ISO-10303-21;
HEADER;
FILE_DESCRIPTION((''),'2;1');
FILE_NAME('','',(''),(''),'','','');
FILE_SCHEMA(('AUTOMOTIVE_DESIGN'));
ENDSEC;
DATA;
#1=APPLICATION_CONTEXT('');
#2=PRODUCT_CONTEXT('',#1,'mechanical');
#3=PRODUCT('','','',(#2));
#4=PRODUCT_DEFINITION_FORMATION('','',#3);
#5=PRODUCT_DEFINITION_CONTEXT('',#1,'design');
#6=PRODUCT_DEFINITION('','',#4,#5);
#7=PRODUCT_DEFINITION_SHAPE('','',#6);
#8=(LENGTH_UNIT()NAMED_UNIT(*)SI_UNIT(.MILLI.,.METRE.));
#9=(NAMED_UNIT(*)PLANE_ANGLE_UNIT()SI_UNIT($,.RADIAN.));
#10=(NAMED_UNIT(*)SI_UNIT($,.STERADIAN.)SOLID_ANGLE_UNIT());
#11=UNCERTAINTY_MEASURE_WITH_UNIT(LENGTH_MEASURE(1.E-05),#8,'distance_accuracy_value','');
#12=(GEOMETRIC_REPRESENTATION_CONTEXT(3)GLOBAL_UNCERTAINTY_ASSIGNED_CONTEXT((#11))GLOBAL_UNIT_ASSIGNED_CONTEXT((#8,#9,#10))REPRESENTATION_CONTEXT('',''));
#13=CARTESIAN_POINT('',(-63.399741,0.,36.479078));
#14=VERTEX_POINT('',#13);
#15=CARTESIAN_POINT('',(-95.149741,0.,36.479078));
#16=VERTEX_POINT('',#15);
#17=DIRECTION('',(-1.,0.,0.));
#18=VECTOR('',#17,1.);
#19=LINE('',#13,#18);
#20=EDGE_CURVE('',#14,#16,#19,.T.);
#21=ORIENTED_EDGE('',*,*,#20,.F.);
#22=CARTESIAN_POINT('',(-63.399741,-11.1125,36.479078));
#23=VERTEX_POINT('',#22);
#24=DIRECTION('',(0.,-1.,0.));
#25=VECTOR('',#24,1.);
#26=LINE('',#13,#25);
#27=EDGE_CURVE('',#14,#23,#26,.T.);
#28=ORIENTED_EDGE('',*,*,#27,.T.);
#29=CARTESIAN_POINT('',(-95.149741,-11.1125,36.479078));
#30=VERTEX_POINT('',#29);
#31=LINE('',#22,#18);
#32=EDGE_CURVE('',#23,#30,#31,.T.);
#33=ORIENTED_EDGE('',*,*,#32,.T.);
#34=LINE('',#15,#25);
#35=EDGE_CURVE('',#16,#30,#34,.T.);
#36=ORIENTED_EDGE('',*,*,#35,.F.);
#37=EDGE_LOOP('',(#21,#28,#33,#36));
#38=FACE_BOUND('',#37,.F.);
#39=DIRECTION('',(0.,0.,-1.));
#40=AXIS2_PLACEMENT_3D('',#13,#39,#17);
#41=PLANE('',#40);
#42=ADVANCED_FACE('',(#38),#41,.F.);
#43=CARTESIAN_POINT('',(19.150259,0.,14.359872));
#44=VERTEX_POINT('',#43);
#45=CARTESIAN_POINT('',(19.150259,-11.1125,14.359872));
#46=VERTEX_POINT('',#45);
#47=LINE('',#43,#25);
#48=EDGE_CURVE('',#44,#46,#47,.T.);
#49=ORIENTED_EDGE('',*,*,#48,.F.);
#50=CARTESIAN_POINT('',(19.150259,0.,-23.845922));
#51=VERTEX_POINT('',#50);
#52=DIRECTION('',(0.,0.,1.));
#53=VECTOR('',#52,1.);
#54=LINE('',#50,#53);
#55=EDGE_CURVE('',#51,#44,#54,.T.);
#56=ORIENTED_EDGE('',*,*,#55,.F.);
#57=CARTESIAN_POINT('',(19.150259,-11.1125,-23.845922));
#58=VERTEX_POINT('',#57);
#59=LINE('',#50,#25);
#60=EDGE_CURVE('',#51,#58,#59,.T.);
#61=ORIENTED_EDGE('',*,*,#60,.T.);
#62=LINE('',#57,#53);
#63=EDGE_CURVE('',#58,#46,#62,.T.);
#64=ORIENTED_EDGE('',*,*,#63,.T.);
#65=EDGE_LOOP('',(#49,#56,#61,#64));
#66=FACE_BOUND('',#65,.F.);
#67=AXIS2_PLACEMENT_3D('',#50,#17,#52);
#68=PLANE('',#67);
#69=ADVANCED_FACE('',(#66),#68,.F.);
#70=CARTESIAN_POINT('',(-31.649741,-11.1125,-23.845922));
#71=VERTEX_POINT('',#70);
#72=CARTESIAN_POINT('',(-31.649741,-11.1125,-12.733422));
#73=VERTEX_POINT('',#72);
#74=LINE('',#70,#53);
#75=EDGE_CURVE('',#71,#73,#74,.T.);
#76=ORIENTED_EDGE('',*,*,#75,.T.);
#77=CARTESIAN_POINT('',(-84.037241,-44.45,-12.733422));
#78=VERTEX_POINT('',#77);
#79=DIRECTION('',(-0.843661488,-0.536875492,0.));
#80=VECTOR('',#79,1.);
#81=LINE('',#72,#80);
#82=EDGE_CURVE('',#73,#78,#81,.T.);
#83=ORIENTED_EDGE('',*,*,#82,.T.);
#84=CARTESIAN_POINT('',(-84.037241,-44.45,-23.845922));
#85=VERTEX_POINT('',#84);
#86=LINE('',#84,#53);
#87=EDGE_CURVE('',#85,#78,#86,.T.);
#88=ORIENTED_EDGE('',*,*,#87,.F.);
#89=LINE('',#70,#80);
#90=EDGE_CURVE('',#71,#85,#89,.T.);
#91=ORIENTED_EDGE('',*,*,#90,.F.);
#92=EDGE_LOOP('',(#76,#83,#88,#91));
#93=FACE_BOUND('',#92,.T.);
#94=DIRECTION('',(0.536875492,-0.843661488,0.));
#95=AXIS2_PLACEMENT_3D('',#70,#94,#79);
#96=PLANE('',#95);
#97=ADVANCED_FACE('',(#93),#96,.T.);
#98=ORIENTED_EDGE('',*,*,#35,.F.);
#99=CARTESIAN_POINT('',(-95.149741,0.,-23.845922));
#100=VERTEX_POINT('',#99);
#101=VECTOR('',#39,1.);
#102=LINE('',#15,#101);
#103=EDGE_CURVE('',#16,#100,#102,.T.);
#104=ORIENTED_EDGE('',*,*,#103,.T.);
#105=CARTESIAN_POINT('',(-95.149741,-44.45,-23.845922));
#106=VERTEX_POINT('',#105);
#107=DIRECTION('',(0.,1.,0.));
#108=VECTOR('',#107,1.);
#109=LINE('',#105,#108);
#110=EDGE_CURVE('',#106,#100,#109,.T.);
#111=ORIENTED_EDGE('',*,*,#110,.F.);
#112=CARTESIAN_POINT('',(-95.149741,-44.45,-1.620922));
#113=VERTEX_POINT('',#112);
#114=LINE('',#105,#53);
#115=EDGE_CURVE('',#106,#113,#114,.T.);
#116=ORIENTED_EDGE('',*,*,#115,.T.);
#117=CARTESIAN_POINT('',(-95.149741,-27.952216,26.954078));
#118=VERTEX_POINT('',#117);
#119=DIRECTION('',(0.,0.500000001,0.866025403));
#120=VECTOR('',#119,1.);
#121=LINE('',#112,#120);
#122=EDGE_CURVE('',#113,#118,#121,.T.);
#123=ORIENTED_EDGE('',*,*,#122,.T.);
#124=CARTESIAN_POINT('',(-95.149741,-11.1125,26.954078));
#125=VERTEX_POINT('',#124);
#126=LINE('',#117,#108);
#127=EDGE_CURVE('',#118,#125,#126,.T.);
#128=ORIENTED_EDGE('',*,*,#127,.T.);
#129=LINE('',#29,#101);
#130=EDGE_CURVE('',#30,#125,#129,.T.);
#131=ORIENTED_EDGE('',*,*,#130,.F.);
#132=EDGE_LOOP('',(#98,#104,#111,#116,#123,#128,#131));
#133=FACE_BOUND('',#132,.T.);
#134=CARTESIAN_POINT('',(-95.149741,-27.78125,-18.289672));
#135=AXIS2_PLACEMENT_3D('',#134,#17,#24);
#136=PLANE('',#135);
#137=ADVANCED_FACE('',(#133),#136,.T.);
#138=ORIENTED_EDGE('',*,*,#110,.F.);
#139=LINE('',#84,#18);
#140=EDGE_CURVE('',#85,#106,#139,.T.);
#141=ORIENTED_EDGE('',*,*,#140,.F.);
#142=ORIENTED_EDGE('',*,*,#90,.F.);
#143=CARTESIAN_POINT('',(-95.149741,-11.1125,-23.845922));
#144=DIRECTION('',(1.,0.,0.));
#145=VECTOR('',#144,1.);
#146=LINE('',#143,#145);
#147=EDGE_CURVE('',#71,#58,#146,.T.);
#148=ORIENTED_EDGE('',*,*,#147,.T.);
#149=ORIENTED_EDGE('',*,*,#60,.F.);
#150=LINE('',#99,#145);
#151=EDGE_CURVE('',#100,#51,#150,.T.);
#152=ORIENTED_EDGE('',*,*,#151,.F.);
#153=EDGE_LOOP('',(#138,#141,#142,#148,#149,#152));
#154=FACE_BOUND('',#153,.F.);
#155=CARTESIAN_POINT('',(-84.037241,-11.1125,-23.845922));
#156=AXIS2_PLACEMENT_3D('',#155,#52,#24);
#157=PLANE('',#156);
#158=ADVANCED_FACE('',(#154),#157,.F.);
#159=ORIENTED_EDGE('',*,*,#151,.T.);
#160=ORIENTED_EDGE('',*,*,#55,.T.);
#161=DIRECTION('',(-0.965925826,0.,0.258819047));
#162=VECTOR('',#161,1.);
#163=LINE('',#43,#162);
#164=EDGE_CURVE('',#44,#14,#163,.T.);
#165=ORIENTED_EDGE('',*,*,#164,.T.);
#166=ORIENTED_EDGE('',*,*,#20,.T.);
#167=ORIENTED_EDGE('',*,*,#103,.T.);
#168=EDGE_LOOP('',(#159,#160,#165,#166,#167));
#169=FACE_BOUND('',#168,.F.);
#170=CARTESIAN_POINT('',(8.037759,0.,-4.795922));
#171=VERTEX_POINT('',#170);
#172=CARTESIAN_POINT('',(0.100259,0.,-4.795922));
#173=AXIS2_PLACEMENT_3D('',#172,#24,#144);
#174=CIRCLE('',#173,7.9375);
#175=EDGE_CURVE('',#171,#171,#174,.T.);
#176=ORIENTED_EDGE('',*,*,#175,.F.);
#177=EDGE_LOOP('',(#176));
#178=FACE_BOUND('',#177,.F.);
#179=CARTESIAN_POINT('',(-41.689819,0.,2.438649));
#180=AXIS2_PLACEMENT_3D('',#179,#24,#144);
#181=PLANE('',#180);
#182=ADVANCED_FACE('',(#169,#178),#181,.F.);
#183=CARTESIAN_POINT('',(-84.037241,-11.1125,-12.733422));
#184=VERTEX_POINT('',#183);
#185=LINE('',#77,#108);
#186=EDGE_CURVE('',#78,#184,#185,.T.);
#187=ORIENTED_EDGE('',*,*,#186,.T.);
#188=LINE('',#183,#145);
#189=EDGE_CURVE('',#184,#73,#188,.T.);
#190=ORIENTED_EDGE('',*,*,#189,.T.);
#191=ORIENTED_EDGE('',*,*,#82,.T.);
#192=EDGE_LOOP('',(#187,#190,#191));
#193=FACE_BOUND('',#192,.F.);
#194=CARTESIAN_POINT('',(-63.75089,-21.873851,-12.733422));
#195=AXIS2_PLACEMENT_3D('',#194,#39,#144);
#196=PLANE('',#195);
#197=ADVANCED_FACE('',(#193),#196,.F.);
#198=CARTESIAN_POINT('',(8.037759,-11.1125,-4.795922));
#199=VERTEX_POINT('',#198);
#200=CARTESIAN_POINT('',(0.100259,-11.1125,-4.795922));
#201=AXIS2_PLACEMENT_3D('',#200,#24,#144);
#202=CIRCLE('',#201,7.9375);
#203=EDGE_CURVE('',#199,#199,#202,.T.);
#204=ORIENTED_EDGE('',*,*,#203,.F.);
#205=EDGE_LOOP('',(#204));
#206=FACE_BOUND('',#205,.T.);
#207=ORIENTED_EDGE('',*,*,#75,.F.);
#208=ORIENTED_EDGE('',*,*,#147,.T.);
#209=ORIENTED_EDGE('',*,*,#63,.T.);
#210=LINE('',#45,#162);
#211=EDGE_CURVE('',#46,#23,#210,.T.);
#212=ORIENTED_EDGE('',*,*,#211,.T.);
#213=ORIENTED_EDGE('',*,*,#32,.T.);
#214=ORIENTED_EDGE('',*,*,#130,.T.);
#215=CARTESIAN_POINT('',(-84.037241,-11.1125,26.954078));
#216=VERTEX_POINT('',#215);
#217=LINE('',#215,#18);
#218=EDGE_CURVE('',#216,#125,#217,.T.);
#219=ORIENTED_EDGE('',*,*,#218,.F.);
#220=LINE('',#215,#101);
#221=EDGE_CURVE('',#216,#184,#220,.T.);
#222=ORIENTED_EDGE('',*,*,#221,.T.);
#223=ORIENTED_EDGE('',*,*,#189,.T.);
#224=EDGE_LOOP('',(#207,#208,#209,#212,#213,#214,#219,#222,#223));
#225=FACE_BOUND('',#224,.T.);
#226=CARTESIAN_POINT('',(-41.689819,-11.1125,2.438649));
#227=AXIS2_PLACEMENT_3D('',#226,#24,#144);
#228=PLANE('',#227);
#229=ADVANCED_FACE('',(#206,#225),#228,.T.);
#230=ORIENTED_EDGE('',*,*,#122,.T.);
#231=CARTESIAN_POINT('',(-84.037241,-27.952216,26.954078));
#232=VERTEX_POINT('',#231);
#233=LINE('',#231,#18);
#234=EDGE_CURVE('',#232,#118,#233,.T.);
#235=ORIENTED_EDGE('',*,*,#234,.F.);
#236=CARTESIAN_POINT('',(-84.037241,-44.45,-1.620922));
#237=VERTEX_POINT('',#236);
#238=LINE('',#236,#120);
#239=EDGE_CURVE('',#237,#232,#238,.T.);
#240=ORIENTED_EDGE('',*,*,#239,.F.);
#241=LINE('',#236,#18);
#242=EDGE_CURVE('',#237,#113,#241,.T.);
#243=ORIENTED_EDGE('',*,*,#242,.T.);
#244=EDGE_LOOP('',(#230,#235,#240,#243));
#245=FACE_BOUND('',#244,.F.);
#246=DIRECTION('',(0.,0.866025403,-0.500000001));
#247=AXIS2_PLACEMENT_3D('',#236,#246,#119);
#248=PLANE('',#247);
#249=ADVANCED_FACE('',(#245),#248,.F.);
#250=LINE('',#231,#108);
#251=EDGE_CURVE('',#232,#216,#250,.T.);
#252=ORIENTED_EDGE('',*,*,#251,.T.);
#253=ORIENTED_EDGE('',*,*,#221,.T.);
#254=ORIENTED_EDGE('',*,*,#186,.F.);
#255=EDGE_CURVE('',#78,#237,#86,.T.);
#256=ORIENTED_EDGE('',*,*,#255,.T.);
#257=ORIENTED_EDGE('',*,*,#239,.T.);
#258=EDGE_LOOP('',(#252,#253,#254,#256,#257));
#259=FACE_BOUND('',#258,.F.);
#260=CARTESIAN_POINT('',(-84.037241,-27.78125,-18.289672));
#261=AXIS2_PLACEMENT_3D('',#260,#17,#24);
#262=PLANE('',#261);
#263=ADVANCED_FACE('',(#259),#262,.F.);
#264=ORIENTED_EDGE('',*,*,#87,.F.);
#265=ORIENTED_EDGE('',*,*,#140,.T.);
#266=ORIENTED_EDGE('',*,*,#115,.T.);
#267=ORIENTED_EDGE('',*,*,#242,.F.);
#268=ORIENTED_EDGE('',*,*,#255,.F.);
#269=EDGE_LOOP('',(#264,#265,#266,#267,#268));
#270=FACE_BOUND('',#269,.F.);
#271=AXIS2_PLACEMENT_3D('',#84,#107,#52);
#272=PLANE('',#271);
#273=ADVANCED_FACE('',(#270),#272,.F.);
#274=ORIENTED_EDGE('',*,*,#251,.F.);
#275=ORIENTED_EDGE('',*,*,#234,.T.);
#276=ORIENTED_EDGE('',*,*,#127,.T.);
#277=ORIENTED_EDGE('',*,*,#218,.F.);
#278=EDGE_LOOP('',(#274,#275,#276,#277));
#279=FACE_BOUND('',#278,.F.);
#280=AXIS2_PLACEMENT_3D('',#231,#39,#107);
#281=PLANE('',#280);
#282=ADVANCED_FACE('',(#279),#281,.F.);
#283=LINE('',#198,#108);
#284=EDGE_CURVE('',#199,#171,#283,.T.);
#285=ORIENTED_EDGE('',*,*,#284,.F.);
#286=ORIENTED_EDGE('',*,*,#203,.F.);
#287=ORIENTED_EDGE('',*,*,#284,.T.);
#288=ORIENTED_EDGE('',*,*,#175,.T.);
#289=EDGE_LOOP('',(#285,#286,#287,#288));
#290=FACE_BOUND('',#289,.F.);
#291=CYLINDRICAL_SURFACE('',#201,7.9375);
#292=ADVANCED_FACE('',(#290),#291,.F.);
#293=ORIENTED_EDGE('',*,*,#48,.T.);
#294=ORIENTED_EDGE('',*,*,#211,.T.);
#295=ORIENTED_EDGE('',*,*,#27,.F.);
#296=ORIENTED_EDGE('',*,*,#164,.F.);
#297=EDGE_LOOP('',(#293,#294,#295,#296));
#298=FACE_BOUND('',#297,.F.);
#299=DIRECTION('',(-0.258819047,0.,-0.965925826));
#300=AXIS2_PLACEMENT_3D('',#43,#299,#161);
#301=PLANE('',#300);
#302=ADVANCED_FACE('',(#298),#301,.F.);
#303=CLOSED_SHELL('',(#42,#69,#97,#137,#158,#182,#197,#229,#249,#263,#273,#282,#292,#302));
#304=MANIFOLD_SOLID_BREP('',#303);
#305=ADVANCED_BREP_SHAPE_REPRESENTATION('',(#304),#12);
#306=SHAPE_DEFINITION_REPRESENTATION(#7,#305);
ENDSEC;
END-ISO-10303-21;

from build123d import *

# Parameters (mm, degrees)
F1_DEPTH = 11.1125
F2_R     = 7.9375
F3_DEPTH = 25.4
F5_DEPTH = 11.1125
F6_W     = 33.3375
F6_H     = 11.1125
F7_DEPTH = 11.1125


with BuildPart() as f1:
    # F0 (on Front) → F1 (new body)
    with BuildSketch(Plane.XZ):
        Polygon((-63.399741, 36.479078), (-95.149741, 36.479078), (-95.149741, -23.845922), (19.150259, -23.845922), (19.150259, 14.359872), align=None)
    extrude(amount=F1_DEPTH)

    # F2 (on face) → F3 (cut)
    with BuildSketch(Plane.XZ.offset(11.1125)):
        with Locations((0.100259, -4.795922)):
            Circle(F2_R)
    extrude(amount=-F3_DEPTH, mode=Mode.SUBTRACT)

    # F4 (on face) → F5 (join)
    with BuildSketch(Plane(origin=(0, 0, -23.845922), x_dir=(1, 0, 0), z_dir=(0, 0, -1))):
        Polygon((-31.649741, 11.1125), (-84.037241, 44.45), (-84.037241, 11.1125), align=None)
    extrude(amount=-F5_DEPTH)

    # F6 (on face) → F7 (join)
    with BuildSketch(Plane(origin=(-84.037241, 0, 0), x_dir=(0, -1, 0), z_dir=(-1, 0, 0))):
        with Locations((27.78125, -18.289672)):
            Rectangle(F6_W, F6_H)
        Polygon((11.1125, -12.733422), (44.45, -12.733422), (44.45, -1.620922), (27.952216, 26.954078), (11.1125, 26.954078), align=None)
    extrude(amount=F7_DEPTH)


solid = f1.part
